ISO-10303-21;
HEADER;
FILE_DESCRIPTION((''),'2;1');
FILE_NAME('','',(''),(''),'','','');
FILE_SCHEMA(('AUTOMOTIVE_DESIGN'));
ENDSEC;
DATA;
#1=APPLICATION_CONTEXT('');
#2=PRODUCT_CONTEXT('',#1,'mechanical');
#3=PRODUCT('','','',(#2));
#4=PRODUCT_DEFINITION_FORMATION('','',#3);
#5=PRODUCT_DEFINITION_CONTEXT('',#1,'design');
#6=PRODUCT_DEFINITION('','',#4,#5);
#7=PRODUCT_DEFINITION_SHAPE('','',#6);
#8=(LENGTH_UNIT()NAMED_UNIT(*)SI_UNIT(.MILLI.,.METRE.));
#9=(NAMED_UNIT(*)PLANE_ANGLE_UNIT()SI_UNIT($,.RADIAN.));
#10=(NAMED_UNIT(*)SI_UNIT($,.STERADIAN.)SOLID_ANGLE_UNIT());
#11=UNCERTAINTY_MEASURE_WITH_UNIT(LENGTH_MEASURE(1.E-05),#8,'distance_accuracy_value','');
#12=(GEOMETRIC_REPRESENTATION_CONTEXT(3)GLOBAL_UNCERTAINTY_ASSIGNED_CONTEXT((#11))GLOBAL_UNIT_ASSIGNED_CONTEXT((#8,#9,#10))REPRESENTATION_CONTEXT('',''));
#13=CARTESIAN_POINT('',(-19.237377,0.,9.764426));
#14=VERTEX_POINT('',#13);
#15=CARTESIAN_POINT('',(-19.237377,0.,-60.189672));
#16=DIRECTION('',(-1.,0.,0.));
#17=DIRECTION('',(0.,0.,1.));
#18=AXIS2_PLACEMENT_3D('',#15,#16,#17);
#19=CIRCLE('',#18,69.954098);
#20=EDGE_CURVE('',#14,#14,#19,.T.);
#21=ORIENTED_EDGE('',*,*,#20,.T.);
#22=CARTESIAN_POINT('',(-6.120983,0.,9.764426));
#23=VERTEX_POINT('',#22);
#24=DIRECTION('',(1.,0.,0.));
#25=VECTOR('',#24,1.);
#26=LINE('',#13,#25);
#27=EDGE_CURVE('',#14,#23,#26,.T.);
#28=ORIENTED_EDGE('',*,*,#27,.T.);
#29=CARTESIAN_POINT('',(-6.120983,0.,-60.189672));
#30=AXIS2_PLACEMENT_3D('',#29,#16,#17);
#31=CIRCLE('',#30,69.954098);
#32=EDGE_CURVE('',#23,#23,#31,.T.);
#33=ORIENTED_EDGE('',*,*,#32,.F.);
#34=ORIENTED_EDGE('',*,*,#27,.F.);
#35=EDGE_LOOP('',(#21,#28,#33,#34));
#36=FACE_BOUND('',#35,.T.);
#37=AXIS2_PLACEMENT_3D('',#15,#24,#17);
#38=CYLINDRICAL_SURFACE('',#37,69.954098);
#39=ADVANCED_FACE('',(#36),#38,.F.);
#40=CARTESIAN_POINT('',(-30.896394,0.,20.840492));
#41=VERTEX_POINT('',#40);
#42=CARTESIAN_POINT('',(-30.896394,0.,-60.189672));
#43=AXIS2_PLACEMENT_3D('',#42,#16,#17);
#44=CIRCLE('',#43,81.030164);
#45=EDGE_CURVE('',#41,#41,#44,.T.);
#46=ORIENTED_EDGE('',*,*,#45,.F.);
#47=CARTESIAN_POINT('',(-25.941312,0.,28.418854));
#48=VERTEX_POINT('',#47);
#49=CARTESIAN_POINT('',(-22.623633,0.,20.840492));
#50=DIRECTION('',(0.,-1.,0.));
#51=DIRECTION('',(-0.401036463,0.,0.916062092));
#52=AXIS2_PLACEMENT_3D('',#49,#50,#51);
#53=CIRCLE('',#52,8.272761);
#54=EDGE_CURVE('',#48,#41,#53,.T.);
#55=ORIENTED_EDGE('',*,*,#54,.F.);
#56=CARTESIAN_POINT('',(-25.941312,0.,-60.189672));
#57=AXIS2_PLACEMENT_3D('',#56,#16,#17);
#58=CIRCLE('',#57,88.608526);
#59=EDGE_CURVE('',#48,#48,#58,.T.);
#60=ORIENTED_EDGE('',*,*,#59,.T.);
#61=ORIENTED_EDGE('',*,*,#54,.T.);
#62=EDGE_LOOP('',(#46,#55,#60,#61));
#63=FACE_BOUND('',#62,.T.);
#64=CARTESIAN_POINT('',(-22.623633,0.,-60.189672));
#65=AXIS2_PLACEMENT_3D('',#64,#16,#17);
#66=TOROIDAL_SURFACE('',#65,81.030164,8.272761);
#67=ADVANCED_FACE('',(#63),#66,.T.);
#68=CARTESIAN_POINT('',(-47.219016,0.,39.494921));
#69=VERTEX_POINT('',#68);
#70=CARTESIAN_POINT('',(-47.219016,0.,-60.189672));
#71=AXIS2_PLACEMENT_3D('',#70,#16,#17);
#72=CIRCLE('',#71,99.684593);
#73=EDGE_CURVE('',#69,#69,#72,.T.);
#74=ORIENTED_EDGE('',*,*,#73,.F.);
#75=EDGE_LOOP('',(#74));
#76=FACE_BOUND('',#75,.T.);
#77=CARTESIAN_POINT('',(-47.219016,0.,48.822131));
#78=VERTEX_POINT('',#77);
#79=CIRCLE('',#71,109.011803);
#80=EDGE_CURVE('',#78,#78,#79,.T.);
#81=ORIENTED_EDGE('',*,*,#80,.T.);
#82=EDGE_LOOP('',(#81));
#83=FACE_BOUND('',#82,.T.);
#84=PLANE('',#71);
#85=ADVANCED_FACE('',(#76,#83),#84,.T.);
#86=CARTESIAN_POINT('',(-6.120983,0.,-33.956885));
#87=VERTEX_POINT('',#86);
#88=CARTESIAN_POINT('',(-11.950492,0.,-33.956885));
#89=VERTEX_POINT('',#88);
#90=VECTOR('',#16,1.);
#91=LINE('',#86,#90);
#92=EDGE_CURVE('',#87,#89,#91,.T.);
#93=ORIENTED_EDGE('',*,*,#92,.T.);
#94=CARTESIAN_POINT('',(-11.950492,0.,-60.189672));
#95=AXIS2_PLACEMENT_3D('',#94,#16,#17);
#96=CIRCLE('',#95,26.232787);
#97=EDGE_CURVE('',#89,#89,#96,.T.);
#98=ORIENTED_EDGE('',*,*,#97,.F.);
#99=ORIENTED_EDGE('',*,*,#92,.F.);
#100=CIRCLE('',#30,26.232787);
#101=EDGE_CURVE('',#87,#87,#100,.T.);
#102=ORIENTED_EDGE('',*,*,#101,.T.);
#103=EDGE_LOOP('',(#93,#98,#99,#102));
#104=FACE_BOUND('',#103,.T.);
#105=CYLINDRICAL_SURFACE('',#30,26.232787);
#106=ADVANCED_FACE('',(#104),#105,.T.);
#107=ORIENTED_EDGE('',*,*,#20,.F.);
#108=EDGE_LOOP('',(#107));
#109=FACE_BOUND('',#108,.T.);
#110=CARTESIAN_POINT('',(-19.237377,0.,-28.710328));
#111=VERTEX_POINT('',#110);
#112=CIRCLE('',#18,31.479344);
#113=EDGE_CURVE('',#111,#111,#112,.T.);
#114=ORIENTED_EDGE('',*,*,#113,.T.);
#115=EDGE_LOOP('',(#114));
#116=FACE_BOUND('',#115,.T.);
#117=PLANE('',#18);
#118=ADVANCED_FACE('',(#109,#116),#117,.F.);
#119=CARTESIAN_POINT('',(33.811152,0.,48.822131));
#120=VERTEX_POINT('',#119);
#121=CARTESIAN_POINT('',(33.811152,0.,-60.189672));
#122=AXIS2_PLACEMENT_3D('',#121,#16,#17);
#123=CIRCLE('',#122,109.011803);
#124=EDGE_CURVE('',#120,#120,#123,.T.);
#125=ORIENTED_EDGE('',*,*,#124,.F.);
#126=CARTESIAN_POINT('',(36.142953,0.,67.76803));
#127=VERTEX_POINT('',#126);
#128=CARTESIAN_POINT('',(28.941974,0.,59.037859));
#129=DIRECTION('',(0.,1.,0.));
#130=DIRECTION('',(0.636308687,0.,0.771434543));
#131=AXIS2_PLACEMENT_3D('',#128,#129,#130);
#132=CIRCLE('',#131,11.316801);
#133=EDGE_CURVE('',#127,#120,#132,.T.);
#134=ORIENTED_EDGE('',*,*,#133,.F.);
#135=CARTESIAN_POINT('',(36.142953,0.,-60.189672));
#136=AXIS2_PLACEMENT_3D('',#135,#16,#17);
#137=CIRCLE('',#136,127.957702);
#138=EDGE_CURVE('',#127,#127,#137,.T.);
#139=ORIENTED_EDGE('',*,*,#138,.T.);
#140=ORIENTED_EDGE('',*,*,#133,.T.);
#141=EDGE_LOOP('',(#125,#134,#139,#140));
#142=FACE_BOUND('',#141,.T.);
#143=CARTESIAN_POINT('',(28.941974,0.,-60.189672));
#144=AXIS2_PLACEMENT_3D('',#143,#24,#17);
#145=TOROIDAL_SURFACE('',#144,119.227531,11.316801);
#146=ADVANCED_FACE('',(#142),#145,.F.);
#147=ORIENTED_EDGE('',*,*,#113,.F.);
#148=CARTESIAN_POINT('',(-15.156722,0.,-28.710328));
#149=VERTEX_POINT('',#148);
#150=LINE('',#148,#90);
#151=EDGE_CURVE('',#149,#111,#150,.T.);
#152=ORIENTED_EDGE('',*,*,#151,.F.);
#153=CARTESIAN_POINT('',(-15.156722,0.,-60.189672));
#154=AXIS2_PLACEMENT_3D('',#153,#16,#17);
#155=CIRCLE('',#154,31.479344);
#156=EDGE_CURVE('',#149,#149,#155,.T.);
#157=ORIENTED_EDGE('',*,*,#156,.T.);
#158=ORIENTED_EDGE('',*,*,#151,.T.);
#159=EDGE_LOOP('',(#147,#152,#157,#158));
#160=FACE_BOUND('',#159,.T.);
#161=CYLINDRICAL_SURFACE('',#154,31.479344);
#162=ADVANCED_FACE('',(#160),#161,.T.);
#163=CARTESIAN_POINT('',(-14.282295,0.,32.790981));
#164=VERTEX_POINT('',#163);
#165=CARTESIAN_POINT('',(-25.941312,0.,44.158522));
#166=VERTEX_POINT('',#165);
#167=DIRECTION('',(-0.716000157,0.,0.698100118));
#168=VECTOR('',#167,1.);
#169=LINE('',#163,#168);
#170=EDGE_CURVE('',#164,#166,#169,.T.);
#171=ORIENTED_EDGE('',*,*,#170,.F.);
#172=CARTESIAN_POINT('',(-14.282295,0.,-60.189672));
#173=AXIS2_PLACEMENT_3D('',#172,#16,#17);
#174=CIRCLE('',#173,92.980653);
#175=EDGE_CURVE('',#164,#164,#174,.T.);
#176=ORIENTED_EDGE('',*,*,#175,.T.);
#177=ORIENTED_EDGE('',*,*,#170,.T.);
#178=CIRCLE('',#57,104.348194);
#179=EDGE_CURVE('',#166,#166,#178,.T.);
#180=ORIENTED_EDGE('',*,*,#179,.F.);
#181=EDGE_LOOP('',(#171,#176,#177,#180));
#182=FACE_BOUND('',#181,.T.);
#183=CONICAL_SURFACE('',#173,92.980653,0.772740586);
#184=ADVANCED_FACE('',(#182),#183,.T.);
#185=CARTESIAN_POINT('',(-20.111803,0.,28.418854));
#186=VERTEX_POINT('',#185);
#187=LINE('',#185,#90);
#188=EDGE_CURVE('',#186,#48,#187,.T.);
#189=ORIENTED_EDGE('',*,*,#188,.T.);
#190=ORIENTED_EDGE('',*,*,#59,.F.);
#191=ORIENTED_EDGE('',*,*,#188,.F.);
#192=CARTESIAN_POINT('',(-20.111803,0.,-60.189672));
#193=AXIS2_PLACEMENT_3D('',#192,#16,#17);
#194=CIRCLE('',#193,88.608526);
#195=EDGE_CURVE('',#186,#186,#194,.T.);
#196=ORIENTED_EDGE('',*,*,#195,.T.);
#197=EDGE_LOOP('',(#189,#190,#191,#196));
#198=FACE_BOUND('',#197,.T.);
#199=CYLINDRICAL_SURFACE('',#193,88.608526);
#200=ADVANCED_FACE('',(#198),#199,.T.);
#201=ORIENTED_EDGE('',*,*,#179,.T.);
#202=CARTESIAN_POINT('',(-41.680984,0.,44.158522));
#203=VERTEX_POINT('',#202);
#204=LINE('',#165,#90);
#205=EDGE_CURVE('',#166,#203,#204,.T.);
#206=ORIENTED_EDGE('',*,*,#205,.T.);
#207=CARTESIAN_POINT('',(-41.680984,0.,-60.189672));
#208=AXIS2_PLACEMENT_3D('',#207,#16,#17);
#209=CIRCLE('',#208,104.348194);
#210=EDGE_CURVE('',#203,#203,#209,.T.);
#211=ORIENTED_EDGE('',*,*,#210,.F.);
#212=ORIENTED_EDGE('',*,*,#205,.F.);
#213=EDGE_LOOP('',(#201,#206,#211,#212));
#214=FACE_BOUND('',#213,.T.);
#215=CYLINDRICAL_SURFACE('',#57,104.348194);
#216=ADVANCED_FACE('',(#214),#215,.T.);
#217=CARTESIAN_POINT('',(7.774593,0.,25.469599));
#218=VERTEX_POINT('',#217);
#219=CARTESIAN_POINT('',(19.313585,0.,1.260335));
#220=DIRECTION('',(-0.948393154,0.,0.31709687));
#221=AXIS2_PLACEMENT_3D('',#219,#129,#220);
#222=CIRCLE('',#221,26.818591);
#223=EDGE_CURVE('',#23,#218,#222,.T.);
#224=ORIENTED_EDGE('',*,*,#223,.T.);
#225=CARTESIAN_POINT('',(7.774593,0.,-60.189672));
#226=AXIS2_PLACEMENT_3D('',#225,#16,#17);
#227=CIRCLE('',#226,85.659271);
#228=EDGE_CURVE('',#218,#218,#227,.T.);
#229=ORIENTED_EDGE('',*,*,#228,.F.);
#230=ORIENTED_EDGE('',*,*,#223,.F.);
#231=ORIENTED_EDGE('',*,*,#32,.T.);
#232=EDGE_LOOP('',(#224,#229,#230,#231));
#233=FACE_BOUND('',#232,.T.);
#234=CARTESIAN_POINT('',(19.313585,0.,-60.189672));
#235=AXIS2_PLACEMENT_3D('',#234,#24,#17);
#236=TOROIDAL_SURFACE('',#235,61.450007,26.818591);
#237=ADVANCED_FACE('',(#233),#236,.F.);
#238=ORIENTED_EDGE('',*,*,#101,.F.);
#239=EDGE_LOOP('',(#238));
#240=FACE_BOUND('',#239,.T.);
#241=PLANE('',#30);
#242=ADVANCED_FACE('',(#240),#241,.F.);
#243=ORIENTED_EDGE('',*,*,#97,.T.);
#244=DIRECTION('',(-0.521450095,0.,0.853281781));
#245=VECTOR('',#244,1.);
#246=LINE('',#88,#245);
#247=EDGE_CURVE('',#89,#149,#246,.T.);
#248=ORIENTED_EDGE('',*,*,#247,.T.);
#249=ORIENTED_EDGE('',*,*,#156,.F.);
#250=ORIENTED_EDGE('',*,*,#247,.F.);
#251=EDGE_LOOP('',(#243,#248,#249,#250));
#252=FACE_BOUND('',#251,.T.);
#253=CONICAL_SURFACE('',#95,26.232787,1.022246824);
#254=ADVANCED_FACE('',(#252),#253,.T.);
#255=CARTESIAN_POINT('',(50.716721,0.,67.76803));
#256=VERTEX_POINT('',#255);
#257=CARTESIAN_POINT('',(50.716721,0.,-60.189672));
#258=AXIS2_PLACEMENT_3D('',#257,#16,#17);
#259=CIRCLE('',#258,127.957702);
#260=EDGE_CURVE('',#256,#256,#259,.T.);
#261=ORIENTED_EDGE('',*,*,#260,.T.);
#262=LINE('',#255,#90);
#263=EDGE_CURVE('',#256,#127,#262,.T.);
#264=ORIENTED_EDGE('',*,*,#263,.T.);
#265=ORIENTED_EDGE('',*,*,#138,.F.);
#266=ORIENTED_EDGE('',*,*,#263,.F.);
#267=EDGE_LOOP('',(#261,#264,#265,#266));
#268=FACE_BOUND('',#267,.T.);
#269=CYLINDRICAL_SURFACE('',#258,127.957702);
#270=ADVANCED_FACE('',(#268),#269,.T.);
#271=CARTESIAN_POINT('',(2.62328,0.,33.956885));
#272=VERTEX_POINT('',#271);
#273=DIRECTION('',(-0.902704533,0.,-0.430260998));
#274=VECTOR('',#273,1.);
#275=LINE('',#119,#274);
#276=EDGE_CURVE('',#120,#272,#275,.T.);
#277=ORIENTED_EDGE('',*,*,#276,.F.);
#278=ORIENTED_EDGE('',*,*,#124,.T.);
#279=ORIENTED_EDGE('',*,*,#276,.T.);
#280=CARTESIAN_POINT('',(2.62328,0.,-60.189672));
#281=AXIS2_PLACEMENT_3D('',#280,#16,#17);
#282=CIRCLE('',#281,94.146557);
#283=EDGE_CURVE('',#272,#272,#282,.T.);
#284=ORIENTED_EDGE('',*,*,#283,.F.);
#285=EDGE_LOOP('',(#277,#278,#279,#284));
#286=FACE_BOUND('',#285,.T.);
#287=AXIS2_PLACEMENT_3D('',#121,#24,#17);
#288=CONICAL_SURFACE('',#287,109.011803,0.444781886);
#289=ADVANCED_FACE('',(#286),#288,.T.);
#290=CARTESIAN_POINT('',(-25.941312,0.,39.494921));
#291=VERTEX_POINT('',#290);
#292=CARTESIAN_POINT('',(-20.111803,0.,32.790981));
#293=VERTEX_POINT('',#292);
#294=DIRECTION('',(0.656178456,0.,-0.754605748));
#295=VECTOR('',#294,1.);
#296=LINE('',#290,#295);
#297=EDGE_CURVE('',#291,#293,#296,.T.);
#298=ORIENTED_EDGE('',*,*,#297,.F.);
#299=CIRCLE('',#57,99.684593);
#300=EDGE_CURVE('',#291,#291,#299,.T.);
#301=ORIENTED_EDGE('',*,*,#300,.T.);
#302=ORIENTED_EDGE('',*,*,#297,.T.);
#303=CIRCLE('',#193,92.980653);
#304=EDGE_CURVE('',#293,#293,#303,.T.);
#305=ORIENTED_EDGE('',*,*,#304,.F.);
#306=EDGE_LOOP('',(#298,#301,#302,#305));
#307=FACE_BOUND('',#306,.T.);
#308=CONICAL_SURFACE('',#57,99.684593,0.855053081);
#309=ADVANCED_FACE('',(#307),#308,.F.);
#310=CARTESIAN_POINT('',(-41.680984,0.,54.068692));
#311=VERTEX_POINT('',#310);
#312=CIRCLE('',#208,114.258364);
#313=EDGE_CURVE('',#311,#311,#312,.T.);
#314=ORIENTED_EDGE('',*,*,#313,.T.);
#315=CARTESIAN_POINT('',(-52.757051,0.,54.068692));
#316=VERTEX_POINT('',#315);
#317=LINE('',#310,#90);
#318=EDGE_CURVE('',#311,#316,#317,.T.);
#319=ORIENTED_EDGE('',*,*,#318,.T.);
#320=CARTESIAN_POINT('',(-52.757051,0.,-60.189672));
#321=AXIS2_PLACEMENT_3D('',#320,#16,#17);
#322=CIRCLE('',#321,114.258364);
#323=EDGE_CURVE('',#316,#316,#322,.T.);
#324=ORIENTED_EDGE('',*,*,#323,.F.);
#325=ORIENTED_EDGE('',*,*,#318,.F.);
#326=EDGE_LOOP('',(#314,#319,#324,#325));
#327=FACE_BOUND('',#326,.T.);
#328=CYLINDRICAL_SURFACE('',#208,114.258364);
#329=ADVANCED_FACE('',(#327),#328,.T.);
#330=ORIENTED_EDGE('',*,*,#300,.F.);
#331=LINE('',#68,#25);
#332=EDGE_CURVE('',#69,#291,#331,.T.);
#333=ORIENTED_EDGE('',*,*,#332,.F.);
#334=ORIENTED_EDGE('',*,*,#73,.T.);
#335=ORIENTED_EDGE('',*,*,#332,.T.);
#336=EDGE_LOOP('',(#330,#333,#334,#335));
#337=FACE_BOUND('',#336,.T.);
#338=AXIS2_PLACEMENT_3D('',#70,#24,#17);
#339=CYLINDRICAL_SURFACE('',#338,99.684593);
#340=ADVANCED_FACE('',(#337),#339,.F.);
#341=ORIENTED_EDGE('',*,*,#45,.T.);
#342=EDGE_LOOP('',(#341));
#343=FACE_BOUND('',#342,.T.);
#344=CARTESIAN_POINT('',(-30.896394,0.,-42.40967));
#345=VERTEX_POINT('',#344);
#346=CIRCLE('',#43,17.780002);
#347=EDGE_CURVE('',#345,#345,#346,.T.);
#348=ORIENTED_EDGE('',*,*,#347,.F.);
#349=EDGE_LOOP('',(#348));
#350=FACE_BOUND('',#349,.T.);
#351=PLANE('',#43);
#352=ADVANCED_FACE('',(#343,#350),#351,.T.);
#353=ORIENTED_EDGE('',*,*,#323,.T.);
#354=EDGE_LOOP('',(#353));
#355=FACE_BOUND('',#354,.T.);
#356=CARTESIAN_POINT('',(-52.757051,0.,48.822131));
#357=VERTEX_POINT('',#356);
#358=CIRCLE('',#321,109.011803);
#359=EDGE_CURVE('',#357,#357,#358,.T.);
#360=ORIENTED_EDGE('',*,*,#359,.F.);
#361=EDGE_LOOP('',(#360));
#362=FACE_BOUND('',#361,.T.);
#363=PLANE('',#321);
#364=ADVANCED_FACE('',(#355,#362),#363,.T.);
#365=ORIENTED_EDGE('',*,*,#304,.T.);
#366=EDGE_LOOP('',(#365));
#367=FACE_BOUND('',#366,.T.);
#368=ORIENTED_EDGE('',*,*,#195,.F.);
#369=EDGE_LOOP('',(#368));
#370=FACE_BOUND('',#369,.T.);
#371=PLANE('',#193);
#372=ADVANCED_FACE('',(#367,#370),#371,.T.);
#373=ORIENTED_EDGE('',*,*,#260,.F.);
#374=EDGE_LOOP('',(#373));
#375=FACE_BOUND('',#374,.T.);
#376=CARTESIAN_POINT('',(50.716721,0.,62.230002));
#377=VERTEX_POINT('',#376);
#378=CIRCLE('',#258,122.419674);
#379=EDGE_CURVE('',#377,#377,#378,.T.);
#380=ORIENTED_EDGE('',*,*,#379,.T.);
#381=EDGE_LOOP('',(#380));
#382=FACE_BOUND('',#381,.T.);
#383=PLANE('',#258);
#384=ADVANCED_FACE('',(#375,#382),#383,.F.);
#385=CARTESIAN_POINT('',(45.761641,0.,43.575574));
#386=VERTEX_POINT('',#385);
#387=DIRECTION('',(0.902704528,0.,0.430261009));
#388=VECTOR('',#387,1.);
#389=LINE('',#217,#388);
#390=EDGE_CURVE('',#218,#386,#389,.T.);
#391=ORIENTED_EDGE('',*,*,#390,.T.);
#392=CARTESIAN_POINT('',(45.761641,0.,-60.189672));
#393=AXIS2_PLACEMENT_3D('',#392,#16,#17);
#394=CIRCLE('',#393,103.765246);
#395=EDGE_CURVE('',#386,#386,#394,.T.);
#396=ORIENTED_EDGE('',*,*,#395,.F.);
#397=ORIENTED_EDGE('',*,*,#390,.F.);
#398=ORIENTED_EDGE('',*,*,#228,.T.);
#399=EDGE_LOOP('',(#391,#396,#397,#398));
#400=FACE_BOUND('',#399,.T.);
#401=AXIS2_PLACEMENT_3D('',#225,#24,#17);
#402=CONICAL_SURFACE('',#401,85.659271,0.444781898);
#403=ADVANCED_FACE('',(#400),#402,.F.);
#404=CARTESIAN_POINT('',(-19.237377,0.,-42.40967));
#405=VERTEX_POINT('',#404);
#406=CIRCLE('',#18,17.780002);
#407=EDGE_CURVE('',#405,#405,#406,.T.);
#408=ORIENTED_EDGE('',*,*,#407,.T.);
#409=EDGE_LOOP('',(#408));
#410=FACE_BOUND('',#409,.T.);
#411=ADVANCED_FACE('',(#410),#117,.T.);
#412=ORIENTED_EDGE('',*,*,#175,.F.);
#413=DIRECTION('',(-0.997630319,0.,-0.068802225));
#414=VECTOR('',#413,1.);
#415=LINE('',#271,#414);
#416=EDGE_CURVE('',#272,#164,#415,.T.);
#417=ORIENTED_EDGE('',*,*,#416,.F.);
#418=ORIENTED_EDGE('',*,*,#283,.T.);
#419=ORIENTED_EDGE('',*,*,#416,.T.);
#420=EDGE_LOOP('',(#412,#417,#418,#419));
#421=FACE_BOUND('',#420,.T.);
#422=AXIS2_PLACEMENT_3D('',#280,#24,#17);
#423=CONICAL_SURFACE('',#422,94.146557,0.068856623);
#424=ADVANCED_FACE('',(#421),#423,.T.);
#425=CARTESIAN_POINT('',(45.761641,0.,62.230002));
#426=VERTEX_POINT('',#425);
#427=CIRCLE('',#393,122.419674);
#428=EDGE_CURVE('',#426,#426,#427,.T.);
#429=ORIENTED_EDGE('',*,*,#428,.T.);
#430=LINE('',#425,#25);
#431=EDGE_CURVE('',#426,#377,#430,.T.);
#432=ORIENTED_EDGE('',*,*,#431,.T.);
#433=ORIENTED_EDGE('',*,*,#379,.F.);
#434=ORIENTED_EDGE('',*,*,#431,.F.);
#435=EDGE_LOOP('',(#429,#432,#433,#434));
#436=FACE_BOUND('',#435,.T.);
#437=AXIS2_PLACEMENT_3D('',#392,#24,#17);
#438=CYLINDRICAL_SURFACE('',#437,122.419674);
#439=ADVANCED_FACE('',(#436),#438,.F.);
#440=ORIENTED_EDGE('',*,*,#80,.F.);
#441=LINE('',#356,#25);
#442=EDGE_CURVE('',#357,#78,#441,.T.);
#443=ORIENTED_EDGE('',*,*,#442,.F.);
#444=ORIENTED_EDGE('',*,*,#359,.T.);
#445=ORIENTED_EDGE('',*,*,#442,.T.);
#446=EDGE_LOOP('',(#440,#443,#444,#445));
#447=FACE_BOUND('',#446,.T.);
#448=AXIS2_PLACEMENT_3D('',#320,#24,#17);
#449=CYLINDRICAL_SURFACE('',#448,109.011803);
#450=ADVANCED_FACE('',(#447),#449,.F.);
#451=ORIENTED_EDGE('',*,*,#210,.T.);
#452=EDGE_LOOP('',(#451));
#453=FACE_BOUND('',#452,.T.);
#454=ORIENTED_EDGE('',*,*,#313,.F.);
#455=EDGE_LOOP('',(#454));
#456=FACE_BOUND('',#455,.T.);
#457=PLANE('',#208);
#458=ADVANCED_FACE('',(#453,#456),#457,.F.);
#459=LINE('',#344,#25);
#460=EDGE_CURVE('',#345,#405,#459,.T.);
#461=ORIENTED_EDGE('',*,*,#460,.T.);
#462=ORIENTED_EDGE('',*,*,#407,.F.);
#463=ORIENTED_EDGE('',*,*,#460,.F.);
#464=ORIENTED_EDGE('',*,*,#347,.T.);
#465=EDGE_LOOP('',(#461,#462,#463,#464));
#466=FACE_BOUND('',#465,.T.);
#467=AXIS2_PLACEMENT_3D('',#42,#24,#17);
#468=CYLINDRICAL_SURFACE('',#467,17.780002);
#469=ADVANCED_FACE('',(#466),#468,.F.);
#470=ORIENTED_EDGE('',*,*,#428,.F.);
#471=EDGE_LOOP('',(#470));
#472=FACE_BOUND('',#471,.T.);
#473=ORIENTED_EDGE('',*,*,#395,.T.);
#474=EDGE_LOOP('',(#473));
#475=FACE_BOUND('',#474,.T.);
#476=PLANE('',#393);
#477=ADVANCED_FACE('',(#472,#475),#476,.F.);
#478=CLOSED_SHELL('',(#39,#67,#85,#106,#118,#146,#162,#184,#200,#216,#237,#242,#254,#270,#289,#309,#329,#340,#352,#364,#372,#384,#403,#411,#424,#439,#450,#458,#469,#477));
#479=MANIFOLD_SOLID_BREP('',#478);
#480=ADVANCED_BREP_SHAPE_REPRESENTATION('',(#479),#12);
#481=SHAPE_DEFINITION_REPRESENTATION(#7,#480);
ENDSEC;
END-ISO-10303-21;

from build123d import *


with BuildPart() as f1:
    # F0 (on Front) → F1 (revolve)
    with BuildSketch(Plane.XZ):
        with BuildLine():
            Line((33.811152, 48.822131), (2.62328, 33.956885))
            Line((2.62328, 33.956885), (-14.282295, 32.790981))
            Line((-14.282295, 32.790981), (-25.941312, 44.158522))
            Line((-25.941312, 44.158522), (-41.680984, 44.158522))
            Line((-41.680984, 44.158522), (-41.680984, 54.068692))
            Line((-41.680984, 54.068692), (-52.757051, 54.068692))
            Line((-52.757051, 54.068692), (-52.757051, 48.822131))
            Line((-52.757051, 48.822131), (-47.219016, 48.822131))
            Line((-47.219016, 48.822131), (-47.219016, 39.494921))
            Line((-47.219016, 39.494921), (-25.941312, 39.494921))
            Line((-25.941312, 39.494921), (-20.111803, 32.790981))
            Line((-20.111803, 32.790981), (-20.111803, 28.418854))
            Line((-20.111803, 28.418854), (-25.941312, 28.418854))
            ThreePointArc((-25.941312, 28.418854), (-29.547683, 25.367754), (-30.896394, 20.840492))
            Line((-30.896394, 20.840492), (-30.896394, -42.40967))
            Line((-30.896394, -42.40967), (-19.237377, -42.40967))
            Line((-19.237377, -42.40967), (-19.237377, -60.189672))
            Line((-19.237377, -60.189672), (-6.120983, -60.189672))
            Line((-6.120983, -60.189672), (-6.120983, -36.28869))
            Line((-6.120983, -36.28869), (-6.120983, -33.956885))
            Line((-6.120983, -33.956885), (-11.950492, -33.956885))
            Line((-11.950492, -33.956885), (-15.156722, -28.710328))
            Line((-15.156722, -28.710328), (-19.237377, -28.710328))
            Line((-19.237377, -28.710328), (-19.237377, 9.764426))
            Line((-19.237377, 9.764426), (-6.120983, 9.764426))
            ThreePointArc((-6.120983, 9.764426), (-0.771836, 19.031454), (7.774593, 25.469599))
            Line((7.774593, 25.469599), (45.761641, 43.575574))
            Line((45.761641, 43.575574), (45.761641, 62.230002))
            Line((45.761641, 62.230002), (50.716721, 62.230002))
            Line((50.716721, 62.230002), (50.716721, 67.76803))
            Line((50.716721, 67.76803), (36.142953, 67.76803))
            ThreePointArc((36.142953, 67.76803), (40.174024, 57.655454), (33.811152, 48.822131))
        make_face()
    revolve(axis=Axis((-12.67918, 0, -60.189672), (-1, 0, 0)))


solid = f1.part
